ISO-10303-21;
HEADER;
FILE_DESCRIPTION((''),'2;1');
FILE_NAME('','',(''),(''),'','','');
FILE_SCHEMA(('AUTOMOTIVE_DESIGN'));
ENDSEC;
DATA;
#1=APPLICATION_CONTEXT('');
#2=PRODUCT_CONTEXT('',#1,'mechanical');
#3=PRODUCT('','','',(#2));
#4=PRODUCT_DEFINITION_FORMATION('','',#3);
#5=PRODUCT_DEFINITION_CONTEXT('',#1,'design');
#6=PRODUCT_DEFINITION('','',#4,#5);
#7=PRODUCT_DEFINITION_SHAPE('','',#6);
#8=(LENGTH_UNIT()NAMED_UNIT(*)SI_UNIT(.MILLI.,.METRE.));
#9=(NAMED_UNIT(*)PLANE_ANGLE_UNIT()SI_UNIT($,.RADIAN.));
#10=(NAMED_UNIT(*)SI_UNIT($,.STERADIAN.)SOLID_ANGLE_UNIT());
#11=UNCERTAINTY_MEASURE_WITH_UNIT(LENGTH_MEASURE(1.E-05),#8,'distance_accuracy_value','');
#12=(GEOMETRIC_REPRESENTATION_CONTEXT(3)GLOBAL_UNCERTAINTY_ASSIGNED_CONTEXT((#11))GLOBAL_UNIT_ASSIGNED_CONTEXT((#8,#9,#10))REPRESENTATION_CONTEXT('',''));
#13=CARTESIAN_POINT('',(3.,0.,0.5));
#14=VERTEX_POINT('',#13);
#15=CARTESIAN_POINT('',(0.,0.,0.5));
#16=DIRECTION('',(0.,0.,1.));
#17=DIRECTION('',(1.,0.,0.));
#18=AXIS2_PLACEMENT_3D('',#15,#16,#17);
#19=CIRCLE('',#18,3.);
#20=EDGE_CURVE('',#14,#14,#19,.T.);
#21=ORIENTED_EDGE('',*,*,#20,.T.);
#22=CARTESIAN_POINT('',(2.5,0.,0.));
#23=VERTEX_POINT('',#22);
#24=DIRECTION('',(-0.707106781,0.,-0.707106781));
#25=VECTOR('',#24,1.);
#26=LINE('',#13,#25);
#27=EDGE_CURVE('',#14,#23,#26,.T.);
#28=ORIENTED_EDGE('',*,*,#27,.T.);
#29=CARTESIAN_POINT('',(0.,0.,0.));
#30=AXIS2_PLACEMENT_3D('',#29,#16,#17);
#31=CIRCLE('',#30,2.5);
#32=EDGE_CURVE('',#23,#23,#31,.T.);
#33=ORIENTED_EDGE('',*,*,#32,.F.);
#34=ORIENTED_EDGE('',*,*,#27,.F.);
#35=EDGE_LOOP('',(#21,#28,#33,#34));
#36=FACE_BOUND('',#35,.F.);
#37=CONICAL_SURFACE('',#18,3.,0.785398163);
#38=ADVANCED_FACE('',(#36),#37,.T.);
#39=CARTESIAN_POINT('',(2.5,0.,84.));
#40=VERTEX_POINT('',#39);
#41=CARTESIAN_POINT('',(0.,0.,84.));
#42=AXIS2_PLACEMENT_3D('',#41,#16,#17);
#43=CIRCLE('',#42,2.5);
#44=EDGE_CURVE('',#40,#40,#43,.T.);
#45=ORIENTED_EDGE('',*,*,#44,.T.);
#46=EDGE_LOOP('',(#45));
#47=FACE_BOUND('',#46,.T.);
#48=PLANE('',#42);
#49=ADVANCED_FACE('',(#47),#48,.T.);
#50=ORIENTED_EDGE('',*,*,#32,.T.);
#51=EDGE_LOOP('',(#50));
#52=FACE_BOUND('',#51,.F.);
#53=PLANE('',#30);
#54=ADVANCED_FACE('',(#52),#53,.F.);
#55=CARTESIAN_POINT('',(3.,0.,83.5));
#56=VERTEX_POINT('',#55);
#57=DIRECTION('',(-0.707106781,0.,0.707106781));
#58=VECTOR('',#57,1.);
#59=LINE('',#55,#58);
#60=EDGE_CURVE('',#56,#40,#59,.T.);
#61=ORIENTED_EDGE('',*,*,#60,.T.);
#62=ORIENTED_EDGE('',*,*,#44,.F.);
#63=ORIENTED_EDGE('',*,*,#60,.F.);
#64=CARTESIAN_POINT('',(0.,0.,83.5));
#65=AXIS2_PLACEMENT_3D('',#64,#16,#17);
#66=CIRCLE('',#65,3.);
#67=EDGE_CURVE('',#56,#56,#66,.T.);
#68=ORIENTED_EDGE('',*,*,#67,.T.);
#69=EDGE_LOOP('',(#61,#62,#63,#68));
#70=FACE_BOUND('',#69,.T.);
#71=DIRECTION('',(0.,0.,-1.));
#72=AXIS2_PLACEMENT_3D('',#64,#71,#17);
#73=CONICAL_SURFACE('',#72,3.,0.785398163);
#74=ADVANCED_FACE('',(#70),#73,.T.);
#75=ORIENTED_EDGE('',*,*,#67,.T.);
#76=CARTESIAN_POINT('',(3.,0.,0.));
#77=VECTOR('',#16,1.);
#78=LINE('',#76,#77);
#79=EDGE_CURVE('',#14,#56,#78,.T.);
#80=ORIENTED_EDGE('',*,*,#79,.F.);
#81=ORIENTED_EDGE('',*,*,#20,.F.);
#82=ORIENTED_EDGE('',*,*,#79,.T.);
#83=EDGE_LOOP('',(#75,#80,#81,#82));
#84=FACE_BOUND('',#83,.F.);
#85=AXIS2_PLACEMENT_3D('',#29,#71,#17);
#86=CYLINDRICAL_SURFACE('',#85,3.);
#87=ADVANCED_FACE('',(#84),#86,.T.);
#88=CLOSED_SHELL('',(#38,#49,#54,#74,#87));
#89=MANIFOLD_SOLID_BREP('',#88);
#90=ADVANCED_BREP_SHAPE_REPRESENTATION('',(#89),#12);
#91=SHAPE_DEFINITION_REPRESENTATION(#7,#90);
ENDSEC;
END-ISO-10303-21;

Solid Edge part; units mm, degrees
sketch "Sketch1" plane through (0, 0, 0) normal (0, 0, 1) x (1, 0, 0)
  circle A0 centre (0, 0) radius 3
extrude "ExtrudedProtrusion_1" add sketch "Sketch1" along normal blind 84
chamfer "Chamfer1" distance 0.5 angle 45 2 edges at (-3, 0, 0) (-3, 0, 84)
cosmetic_thread "Thread1" size "M6"
properties material "Steel"
